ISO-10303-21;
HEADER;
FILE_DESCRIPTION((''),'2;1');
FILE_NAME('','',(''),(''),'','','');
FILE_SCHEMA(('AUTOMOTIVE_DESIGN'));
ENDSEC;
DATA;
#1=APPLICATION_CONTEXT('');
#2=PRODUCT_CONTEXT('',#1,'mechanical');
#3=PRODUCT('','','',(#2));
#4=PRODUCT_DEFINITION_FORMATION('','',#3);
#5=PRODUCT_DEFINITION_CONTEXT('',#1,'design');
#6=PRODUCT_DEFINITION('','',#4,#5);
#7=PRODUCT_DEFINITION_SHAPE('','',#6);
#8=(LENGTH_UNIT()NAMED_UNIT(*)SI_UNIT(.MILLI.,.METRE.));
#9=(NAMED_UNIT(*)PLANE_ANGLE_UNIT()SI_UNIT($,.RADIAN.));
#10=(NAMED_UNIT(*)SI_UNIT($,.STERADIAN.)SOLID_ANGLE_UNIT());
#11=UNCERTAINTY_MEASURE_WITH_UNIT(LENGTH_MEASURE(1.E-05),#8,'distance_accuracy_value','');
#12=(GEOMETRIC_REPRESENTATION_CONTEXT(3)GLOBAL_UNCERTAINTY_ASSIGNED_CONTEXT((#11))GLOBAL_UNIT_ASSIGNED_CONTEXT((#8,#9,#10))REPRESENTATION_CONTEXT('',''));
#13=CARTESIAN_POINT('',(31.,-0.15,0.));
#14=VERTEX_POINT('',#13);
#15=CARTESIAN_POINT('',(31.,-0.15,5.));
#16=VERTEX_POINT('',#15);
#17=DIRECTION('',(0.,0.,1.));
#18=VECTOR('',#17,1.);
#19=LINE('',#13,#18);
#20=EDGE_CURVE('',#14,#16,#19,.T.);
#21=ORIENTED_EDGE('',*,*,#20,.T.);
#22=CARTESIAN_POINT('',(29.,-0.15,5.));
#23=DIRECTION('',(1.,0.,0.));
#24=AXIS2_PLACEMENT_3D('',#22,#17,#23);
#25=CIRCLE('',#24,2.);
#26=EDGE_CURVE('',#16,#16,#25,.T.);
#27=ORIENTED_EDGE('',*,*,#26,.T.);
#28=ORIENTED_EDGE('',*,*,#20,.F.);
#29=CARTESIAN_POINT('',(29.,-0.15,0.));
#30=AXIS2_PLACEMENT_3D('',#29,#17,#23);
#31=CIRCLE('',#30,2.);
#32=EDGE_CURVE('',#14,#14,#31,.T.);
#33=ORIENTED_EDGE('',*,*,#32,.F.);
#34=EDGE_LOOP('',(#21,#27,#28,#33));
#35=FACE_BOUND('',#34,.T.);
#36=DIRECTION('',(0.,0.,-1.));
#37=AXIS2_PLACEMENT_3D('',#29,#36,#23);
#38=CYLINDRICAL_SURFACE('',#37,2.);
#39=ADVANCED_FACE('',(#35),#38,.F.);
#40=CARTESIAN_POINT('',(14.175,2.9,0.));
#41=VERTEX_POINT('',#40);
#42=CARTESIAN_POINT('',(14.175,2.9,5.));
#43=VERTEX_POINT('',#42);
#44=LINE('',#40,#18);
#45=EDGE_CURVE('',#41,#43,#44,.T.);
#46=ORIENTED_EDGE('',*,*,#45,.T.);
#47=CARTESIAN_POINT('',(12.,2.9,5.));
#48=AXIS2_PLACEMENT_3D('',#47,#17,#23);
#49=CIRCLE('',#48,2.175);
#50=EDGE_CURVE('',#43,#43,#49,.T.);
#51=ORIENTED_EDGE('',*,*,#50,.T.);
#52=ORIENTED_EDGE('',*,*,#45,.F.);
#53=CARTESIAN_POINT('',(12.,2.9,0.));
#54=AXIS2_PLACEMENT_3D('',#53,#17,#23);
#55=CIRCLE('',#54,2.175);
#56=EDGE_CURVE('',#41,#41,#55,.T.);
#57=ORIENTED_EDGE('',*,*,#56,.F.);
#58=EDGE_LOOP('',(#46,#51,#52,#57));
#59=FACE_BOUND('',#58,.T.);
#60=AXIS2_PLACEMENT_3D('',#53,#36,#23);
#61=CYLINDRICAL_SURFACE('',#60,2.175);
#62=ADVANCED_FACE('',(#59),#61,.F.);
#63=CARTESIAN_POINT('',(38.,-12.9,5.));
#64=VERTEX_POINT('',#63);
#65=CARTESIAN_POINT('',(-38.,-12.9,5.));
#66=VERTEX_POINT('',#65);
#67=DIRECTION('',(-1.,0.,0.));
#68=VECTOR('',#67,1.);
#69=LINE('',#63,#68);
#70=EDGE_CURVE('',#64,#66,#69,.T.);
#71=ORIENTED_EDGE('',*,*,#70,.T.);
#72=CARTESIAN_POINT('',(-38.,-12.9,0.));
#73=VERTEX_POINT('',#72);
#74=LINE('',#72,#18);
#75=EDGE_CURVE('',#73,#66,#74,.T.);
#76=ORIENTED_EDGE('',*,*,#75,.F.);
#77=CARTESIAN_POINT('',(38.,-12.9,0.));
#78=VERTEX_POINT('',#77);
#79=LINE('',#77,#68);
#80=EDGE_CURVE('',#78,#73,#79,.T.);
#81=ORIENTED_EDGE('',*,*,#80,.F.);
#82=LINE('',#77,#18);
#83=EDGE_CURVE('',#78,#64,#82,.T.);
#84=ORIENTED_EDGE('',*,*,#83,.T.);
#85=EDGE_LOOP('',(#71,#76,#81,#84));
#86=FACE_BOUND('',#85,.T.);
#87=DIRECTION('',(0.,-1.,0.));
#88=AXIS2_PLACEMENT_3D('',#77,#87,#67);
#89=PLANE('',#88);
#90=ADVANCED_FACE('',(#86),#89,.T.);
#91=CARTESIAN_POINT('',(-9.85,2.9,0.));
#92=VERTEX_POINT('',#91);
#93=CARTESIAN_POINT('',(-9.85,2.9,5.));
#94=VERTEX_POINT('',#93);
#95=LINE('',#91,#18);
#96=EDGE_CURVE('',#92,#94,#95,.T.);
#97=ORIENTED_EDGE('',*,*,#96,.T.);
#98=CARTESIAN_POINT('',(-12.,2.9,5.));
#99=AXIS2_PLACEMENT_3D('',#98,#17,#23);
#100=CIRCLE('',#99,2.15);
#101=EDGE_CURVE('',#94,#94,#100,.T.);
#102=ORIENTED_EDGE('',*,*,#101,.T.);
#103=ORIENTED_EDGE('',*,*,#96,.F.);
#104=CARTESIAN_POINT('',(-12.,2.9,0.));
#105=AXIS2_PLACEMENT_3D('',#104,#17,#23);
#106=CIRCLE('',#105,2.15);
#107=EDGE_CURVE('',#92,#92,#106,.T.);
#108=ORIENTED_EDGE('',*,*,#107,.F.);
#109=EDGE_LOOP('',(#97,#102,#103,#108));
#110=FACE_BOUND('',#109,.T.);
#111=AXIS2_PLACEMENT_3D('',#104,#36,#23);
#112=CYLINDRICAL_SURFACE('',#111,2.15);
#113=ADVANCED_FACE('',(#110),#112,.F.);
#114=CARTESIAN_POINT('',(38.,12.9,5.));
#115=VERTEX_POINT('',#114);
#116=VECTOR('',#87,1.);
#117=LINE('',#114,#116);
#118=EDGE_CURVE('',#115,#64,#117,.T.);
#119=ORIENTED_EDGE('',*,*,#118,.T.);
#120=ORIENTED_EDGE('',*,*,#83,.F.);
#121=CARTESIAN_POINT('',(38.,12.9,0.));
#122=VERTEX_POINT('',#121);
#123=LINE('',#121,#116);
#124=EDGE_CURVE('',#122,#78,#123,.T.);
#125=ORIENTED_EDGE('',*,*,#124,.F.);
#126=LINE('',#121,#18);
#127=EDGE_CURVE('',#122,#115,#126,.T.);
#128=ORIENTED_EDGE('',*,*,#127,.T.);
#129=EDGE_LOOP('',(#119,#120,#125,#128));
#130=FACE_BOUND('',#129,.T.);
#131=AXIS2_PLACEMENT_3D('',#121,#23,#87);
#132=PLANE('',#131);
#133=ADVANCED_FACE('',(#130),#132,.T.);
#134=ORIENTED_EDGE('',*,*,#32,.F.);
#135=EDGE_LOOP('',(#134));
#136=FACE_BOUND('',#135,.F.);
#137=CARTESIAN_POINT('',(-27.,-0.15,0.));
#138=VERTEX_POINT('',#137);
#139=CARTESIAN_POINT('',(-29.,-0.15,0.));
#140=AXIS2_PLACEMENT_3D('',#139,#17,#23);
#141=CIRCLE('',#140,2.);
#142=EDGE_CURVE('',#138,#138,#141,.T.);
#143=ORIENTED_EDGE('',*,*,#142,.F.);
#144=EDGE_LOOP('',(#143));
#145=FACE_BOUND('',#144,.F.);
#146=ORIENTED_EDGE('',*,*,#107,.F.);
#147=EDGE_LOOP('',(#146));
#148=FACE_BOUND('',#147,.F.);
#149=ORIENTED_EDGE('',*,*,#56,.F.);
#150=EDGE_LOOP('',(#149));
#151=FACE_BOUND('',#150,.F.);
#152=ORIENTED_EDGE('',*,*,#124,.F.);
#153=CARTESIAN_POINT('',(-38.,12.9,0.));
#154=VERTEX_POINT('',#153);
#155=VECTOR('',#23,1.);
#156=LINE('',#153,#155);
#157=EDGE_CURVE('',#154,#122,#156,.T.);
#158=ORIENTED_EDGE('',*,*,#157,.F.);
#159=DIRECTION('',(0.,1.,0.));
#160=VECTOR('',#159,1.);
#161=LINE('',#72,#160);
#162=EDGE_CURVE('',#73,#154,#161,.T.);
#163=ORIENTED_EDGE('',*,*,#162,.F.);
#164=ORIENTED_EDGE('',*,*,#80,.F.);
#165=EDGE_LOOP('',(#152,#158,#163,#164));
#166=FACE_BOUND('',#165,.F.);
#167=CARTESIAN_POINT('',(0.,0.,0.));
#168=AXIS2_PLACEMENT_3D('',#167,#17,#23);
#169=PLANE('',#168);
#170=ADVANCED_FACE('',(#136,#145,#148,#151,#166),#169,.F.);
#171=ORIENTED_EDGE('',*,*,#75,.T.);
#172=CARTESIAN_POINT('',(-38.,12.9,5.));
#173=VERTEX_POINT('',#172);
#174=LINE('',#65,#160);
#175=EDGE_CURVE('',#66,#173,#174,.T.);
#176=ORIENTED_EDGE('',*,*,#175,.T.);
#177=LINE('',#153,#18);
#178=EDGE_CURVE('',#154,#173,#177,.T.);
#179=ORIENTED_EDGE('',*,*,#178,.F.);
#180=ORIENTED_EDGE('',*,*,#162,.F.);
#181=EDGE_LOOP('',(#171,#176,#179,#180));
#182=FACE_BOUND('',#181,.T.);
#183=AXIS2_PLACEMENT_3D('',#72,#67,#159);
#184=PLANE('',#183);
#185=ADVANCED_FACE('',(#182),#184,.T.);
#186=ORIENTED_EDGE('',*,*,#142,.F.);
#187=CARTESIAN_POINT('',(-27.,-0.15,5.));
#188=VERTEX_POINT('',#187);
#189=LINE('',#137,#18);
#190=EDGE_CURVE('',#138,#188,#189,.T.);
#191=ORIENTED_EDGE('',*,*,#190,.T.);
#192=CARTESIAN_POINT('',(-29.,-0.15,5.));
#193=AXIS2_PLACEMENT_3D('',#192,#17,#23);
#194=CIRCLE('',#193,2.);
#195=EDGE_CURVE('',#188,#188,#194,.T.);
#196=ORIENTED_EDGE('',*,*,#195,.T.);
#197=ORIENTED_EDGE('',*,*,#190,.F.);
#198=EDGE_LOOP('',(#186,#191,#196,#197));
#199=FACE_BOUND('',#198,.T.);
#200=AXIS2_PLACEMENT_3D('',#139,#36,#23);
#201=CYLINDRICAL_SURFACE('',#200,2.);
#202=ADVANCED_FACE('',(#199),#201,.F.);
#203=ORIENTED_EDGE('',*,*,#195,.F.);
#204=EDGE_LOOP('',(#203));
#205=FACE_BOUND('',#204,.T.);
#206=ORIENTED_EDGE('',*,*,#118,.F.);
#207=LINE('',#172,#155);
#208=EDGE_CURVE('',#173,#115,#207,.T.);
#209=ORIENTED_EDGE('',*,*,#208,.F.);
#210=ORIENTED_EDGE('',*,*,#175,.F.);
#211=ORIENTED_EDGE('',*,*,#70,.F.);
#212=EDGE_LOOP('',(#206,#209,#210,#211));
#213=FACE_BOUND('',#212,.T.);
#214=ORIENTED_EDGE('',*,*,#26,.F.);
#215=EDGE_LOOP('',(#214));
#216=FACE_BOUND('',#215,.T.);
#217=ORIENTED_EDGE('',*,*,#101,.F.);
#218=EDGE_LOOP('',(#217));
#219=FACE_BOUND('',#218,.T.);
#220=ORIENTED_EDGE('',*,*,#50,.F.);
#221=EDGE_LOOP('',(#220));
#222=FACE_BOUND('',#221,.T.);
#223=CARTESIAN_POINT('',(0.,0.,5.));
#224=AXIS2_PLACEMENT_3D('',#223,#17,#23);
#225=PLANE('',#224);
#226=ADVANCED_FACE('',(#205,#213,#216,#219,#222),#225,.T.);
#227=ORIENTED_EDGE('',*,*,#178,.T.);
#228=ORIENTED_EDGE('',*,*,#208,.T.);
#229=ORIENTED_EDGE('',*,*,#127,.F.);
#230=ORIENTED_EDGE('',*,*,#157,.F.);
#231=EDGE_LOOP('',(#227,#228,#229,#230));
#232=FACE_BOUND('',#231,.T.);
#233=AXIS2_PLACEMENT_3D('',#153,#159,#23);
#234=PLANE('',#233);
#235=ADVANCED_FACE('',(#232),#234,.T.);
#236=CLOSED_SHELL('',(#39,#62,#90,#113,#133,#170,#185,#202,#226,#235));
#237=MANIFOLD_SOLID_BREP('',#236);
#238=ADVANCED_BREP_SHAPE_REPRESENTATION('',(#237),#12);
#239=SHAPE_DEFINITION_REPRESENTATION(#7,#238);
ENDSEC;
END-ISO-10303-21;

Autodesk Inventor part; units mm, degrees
ref_plane "YZ Plane" through (0, 0, 0) normal (1, 0, 0) x (0, 1, 0)
ref_plane "XZ Plane" through (0, 0, 0) normal (0, 1, 0) x (-1, 0, 0)
ref_plane "XY Plane" through (0, 0, 0) normal (0, 0, 1) x (1, 0, 0)
ref_plane "Arbeitsebene1" through (0, 0, 0) normal (0, 0, 1) x (1, 0, 0)
sketch "Skizze1" plane through (0, 0, 0) normal (0, 0, 1) x (1, 0, 0)
  circle A0 centre (-12, 2.9) radius 1.5 projected
  circle A1 centre (12, 2.9) radius 1.5 projected
  line L0 (-38, 12.9) -> (38, 12.9) projected
  line L1 (-38, -12.9) -> (-38, 12.9) projected
  line L2 (38, -12.9) -> (-38, -12.9) projected
  line L3 (38, 12.9) -> (38, -12.9) projected
  circle A2 centre (12, 2.9) radius 2.175
  circle A3 centre (-12, 2.9) radius 2.15
  circle A4 centre (-12, 2.9) radius 1.5 projected
  circle A5 centre (12, 2.9) radius 1.5 projected
  line L4 (-38, 12.9) -> (38, 12.9) projected
  line L5 (-38, -12.9) -> (-38, 12.9) projected
  line L6 (38, -12.9) -> (-38, -12.9) projected
  line L7 (38, 12.9) -> (38, -12.9) projected
  circle A6 centre (29, -0.15) radius 1.6 projected
  circle A7 centre (-29, -0.15) radius 1.6 projected
  circle A8 centre (29, -0.15) radius 2
  circle A9 centre (-29, -0.15) radius 2
  point P0 (0, 0)
  dimension "d0" = 4.35
  dimension "d1" = 4.3
  dimension "d2" = 4
  dimension "d3" = 4
extrude "Extrusion1" add sketch "Skizze1" along normal blind 5 contours L0 L3 L2 L1
properties part number "00_Sandwich_base"
